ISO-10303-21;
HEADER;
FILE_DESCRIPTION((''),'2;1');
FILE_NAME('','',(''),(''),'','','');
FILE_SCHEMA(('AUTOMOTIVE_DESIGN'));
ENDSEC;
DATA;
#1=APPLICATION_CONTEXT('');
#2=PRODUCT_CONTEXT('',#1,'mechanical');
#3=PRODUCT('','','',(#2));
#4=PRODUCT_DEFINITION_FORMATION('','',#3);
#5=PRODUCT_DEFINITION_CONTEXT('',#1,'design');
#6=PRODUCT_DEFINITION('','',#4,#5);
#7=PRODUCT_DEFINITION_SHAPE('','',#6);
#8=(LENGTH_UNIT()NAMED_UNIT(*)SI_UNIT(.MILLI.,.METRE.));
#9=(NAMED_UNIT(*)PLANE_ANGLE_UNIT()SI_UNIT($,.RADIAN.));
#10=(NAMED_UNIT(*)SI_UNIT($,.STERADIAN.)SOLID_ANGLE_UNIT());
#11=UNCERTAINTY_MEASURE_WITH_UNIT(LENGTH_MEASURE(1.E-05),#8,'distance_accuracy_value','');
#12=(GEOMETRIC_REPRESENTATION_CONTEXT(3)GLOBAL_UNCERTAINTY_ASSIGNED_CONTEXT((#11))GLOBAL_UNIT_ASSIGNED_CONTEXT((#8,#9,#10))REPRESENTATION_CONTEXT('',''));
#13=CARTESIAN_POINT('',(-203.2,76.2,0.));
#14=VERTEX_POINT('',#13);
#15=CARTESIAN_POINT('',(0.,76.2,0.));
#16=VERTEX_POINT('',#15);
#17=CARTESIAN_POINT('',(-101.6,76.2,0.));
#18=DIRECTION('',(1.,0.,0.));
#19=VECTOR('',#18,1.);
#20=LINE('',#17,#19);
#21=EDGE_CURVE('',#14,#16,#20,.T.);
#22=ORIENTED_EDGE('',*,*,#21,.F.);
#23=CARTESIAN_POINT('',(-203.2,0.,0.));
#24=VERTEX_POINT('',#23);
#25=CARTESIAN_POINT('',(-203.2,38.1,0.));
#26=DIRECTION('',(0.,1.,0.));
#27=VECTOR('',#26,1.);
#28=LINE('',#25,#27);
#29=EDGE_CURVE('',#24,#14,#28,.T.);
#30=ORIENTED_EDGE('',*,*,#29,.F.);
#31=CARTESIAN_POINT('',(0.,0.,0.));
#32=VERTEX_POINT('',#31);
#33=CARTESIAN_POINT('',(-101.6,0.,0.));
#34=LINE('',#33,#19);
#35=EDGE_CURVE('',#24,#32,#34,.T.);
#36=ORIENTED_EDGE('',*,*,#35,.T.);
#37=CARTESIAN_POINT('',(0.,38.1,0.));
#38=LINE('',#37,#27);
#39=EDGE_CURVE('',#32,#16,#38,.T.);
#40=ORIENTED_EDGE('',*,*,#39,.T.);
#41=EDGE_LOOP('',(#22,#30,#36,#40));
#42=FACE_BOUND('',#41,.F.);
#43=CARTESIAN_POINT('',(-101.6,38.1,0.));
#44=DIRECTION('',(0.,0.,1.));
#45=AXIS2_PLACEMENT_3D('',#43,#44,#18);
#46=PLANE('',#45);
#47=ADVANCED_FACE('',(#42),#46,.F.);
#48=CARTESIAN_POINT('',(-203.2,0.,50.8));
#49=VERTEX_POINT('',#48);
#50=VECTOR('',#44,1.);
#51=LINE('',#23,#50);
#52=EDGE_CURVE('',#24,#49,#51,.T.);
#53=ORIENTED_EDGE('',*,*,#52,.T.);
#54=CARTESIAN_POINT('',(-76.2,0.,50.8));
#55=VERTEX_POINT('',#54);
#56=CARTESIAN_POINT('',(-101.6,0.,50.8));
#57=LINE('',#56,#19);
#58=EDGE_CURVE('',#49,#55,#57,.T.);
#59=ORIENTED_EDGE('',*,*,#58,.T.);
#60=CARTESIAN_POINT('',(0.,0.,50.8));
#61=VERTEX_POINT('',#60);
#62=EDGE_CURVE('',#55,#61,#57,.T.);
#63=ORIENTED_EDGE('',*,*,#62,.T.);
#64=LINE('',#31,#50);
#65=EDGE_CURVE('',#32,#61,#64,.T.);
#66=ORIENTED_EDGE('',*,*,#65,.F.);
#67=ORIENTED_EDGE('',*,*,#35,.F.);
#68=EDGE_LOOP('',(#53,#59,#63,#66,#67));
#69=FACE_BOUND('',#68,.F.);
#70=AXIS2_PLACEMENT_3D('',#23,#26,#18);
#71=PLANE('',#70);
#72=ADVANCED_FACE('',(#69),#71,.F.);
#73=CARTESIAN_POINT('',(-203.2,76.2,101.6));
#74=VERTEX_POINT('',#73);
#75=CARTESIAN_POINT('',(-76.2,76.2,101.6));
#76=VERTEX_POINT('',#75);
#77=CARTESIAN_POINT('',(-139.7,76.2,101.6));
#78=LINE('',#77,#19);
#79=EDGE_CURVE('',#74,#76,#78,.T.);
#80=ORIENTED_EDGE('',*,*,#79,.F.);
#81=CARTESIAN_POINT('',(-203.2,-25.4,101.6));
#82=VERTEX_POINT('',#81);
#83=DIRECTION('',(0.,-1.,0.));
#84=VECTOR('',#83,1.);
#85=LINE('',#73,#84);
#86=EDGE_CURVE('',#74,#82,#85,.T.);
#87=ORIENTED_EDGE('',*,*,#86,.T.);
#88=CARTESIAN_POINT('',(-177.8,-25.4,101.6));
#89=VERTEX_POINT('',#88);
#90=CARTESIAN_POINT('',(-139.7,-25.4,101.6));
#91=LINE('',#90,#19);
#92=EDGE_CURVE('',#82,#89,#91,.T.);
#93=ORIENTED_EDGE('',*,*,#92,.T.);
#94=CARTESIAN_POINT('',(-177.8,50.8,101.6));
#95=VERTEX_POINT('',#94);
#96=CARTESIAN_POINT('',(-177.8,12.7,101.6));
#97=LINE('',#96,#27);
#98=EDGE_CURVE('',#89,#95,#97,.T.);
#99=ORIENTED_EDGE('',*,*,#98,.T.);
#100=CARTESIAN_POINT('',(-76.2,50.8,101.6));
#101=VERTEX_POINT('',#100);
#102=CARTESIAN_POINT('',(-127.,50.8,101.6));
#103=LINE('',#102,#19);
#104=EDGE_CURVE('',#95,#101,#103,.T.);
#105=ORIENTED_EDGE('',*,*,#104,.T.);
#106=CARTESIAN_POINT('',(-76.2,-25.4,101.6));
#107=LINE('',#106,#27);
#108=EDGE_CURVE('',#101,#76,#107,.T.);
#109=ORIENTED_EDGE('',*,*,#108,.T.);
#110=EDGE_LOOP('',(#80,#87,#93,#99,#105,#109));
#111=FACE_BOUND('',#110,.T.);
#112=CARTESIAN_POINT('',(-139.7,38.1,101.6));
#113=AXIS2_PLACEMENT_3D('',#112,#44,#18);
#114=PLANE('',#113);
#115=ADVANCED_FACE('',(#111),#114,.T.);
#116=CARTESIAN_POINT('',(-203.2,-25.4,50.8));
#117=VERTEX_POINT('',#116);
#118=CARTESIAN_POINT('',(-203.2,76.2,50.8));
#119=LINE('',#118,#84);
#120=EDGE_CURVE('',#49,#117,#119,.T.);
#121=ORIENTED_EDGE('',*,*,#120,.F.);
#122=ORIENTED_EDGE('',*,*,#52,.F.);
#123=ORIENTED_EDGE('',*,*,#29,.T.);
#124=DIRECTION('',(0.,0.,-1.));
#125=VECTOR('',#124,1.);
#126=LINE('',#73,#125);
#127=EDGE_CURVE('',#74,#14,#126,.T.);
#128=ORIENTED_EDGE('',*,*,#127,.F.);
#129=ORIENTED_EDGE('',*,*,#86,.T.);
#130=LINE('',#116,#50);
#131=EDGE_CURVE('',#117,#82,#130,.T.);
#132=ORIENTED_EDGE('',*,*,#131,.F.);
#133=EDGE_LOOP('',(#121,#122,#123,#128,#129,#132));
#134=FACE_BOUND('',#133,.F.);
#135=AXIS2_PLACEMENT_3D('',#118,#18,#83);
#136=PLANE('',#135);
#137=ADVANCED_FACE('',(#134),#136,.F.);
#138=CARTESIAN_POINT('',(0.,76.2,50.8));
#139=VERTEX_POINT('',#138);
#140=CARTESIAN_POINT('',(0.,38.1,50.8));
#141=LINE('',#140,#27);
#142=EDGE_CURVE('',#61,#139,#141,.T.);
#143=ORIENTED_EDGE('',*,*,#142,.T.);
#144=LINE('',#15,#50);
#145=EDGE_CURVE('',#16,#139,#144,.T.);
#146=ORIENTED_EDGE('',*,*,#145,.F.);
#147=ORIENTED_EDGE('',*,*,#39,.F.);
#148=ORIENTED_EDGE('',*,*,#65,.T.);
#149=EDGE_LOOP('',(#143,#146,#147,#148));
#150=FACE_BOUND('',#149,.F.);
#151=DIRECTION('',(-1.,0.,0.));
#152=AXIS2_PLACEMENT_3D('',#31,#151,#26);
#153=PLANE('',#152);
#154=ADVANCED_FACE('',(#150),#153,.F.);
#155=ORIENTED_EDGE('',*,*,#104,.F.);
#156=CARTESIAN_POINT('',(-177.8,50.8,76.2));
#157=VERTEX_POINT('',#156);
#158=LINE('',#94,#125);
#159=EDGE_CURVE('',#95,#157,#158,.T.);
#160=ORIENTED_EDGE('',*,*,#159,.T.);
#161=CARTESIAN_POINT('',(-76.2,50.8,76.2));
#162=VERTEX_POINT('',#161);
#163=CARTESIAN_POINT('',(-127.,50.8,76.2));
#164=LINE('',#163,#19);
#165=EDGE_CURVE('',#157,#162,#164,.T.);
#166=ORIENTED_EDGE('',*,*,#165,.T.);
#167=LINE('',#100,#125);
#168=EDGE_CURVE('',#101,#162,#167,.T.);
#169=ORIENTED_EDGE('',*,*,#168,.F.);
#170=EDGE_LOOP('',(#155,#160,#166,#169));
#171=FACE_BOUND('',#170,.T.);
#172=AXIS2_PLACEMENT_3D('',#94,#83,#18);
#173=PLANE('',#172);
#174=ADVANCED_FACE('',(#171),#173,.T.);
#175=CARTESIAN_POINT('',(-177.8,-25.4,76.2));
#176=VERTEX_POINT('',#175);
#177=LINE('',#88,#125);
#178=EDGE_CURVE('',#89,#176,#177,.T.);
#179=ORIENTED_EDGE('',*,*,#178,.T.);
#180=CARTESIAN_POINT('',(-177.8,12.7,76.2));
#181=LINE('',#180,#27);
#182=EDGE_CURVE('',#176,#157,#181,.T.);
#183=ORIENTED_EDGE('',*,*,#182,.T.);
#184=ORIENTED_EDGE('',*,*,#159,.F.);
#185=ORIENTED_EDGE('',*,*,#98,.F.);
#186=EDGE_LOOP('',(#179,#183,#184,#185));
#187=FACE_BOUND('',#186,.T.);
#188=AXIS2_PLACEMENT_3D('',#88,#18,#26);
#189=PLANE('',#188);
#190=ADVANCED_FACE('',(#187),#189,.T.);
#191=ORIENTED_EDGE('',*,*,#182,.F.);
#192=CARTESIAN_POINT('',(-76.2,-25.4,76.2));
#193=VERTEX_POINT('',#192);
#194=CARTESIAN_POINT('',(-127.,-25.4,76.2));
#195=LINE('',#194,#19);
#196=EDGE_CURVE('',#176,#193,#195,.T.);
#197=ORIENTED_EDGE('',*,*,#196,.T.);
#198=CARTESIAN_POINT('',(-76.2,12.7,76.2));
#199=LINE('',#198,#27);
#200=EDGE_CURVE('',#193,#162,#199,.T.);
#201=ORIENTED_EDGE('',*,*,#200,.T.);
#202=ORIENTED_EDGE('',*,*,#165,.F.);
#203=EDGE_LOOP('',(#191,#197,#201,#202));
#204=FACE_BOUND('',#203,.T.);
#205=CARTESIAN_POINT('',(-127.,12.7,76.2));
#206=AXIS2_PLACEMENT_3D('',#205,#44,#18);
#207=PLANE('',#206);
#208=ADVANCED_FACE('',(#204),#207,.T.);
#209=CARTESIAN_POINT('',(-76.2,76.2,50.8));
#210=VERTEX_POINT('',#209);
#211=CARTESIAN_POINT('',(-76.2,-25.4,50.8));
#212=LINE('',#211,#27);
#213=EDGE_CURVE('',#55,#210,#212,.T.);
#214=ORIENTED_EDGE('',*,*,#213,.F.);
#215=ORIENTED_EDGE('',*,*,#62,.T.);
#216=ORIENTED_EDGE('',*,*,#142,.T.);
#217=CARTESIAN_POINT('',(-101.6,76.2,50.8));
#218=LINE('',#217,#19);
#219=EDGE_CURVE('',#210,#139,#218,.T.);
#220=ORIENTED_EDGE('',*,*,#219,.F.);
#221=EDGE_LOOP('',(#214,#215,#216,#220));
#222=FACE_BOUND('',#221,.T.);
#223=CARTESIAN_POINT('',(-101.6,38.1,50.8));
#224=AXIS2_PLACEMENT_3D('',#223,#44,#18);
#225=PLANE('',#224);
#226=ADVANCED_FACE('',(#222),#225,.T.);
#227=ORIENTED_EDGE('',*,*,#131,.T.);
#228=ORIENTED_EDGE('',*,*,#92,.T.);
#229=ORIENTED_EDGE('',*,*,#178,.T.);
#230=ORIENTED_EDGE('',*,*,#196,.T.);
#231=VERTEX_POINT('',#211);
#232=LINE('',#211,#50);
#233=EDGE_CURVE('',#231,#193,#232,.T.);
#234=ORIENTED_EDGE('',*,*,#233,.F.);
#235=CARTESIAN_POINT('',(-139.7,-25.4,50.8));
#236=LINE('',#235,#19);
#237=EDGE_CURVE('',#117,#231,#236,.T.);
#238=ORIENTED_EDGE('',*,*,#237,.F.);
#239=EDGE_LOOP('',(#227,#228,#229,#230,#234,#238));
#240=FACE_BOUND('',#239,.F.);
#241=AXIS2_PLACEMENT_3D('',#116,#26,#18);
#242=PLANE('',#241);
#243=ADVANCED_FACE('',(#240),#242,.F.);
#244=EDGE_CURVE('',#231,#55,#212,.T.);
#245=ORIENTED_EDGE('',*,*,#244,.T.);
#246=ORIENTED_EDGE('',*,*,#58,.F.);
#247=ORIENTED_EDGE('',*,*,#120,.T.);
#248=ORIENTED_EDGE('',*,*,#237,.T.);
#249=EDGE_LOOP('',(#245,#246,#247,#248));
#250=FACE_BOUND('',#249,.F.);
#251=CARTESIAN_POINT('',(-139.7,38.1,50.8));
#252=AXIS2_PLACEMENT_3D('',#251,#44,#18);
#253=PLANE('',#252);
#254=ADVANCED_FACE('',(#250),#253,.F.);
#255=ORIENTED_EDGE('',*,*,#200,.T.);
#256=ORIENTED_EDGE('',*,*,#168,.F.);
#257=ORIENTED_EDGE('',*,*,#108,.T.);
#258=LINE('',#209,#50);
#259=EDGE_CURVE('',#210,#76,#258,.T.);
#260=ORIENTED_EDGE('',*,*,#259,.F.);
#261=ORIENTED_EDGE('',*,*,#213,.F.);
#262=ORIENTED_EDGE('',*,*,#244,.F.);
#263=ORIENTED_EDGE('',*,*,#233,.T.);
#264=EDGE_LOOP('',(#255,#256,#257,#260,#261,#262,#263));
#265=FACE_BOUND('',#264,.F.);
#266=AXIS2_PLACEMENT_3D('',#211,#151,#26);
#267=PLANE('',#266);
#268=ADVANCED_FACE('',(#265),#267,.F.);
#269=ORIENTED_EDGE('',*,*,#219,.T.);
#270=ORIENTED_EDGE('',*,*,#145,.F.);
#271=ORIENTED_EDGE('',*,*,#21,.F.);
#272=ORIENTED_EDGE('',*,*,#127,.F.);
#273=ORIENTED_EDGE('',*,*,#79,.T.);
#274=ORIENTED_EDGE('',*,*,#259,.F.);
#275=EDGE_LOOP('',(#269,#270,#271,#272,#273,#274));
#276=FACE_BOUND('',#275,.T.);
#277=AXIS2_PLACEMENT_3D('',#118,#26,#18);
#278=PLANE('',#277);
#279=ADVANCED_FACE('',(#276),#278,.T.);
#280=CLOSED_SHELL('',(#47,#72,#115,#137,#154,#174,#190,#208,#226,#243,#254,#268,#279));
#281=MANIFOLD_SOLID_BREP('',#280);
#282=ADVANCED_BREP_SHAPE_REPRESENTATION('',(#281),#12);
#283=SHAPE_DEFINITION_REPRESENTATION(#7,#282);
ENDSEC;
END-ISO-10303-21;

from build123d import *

# Parameters (mm, degrees)
F0_W     = 203.2
F0_H     = 76.2
F1_DEPTH = 50.8
F2_W     = 127
F2_H     = 76.2
F2_H_2   = 25.4
F3_DEPTH = 50.8
F4_W     = 101.6
F4_H     = 76.2
F5_DEPTH = 25.4
F6_ANGLE = 90


with BuildPart() as f1:
    # F0 (on Front) → F1 (new body)
    with BuildSketch(Plane.XZ):
        with Locations((-101.6, 38.1)):
            Rectangle(F0_W, F0_H)
    extrude(amount=F1_DEPTH)

    # F2 (on face) → F3 (join)
    with BuildSketch(Plane.XZ.offset(50.8)):
        with Locations((-139.7, 38.1)):
            Rectangle(F2_W, F2_H)
        with Locations((-139.7, -12.7)):
            Rectangle(F2_W, F2_H_2)
    extrude(amount=F3_DEPTH)

    # F4 (on face) → F5 (cut)
    with BuildSketch(Plane.XZ.offset(101.6)):
        with Locations((-127, 12.7)):
            Rectangle(F4_W, F4_H)
    extrude(amount=-F5_DEPTH, mode=Mode.SUBTRACT)


with BuildPart() as f1_1:
    # F6: moved
    add(f1.part.rotate(Axis((-101.6, 0, 0), (-1, 0, 0)), F6_ANGLE))


solid = f1_1.part
